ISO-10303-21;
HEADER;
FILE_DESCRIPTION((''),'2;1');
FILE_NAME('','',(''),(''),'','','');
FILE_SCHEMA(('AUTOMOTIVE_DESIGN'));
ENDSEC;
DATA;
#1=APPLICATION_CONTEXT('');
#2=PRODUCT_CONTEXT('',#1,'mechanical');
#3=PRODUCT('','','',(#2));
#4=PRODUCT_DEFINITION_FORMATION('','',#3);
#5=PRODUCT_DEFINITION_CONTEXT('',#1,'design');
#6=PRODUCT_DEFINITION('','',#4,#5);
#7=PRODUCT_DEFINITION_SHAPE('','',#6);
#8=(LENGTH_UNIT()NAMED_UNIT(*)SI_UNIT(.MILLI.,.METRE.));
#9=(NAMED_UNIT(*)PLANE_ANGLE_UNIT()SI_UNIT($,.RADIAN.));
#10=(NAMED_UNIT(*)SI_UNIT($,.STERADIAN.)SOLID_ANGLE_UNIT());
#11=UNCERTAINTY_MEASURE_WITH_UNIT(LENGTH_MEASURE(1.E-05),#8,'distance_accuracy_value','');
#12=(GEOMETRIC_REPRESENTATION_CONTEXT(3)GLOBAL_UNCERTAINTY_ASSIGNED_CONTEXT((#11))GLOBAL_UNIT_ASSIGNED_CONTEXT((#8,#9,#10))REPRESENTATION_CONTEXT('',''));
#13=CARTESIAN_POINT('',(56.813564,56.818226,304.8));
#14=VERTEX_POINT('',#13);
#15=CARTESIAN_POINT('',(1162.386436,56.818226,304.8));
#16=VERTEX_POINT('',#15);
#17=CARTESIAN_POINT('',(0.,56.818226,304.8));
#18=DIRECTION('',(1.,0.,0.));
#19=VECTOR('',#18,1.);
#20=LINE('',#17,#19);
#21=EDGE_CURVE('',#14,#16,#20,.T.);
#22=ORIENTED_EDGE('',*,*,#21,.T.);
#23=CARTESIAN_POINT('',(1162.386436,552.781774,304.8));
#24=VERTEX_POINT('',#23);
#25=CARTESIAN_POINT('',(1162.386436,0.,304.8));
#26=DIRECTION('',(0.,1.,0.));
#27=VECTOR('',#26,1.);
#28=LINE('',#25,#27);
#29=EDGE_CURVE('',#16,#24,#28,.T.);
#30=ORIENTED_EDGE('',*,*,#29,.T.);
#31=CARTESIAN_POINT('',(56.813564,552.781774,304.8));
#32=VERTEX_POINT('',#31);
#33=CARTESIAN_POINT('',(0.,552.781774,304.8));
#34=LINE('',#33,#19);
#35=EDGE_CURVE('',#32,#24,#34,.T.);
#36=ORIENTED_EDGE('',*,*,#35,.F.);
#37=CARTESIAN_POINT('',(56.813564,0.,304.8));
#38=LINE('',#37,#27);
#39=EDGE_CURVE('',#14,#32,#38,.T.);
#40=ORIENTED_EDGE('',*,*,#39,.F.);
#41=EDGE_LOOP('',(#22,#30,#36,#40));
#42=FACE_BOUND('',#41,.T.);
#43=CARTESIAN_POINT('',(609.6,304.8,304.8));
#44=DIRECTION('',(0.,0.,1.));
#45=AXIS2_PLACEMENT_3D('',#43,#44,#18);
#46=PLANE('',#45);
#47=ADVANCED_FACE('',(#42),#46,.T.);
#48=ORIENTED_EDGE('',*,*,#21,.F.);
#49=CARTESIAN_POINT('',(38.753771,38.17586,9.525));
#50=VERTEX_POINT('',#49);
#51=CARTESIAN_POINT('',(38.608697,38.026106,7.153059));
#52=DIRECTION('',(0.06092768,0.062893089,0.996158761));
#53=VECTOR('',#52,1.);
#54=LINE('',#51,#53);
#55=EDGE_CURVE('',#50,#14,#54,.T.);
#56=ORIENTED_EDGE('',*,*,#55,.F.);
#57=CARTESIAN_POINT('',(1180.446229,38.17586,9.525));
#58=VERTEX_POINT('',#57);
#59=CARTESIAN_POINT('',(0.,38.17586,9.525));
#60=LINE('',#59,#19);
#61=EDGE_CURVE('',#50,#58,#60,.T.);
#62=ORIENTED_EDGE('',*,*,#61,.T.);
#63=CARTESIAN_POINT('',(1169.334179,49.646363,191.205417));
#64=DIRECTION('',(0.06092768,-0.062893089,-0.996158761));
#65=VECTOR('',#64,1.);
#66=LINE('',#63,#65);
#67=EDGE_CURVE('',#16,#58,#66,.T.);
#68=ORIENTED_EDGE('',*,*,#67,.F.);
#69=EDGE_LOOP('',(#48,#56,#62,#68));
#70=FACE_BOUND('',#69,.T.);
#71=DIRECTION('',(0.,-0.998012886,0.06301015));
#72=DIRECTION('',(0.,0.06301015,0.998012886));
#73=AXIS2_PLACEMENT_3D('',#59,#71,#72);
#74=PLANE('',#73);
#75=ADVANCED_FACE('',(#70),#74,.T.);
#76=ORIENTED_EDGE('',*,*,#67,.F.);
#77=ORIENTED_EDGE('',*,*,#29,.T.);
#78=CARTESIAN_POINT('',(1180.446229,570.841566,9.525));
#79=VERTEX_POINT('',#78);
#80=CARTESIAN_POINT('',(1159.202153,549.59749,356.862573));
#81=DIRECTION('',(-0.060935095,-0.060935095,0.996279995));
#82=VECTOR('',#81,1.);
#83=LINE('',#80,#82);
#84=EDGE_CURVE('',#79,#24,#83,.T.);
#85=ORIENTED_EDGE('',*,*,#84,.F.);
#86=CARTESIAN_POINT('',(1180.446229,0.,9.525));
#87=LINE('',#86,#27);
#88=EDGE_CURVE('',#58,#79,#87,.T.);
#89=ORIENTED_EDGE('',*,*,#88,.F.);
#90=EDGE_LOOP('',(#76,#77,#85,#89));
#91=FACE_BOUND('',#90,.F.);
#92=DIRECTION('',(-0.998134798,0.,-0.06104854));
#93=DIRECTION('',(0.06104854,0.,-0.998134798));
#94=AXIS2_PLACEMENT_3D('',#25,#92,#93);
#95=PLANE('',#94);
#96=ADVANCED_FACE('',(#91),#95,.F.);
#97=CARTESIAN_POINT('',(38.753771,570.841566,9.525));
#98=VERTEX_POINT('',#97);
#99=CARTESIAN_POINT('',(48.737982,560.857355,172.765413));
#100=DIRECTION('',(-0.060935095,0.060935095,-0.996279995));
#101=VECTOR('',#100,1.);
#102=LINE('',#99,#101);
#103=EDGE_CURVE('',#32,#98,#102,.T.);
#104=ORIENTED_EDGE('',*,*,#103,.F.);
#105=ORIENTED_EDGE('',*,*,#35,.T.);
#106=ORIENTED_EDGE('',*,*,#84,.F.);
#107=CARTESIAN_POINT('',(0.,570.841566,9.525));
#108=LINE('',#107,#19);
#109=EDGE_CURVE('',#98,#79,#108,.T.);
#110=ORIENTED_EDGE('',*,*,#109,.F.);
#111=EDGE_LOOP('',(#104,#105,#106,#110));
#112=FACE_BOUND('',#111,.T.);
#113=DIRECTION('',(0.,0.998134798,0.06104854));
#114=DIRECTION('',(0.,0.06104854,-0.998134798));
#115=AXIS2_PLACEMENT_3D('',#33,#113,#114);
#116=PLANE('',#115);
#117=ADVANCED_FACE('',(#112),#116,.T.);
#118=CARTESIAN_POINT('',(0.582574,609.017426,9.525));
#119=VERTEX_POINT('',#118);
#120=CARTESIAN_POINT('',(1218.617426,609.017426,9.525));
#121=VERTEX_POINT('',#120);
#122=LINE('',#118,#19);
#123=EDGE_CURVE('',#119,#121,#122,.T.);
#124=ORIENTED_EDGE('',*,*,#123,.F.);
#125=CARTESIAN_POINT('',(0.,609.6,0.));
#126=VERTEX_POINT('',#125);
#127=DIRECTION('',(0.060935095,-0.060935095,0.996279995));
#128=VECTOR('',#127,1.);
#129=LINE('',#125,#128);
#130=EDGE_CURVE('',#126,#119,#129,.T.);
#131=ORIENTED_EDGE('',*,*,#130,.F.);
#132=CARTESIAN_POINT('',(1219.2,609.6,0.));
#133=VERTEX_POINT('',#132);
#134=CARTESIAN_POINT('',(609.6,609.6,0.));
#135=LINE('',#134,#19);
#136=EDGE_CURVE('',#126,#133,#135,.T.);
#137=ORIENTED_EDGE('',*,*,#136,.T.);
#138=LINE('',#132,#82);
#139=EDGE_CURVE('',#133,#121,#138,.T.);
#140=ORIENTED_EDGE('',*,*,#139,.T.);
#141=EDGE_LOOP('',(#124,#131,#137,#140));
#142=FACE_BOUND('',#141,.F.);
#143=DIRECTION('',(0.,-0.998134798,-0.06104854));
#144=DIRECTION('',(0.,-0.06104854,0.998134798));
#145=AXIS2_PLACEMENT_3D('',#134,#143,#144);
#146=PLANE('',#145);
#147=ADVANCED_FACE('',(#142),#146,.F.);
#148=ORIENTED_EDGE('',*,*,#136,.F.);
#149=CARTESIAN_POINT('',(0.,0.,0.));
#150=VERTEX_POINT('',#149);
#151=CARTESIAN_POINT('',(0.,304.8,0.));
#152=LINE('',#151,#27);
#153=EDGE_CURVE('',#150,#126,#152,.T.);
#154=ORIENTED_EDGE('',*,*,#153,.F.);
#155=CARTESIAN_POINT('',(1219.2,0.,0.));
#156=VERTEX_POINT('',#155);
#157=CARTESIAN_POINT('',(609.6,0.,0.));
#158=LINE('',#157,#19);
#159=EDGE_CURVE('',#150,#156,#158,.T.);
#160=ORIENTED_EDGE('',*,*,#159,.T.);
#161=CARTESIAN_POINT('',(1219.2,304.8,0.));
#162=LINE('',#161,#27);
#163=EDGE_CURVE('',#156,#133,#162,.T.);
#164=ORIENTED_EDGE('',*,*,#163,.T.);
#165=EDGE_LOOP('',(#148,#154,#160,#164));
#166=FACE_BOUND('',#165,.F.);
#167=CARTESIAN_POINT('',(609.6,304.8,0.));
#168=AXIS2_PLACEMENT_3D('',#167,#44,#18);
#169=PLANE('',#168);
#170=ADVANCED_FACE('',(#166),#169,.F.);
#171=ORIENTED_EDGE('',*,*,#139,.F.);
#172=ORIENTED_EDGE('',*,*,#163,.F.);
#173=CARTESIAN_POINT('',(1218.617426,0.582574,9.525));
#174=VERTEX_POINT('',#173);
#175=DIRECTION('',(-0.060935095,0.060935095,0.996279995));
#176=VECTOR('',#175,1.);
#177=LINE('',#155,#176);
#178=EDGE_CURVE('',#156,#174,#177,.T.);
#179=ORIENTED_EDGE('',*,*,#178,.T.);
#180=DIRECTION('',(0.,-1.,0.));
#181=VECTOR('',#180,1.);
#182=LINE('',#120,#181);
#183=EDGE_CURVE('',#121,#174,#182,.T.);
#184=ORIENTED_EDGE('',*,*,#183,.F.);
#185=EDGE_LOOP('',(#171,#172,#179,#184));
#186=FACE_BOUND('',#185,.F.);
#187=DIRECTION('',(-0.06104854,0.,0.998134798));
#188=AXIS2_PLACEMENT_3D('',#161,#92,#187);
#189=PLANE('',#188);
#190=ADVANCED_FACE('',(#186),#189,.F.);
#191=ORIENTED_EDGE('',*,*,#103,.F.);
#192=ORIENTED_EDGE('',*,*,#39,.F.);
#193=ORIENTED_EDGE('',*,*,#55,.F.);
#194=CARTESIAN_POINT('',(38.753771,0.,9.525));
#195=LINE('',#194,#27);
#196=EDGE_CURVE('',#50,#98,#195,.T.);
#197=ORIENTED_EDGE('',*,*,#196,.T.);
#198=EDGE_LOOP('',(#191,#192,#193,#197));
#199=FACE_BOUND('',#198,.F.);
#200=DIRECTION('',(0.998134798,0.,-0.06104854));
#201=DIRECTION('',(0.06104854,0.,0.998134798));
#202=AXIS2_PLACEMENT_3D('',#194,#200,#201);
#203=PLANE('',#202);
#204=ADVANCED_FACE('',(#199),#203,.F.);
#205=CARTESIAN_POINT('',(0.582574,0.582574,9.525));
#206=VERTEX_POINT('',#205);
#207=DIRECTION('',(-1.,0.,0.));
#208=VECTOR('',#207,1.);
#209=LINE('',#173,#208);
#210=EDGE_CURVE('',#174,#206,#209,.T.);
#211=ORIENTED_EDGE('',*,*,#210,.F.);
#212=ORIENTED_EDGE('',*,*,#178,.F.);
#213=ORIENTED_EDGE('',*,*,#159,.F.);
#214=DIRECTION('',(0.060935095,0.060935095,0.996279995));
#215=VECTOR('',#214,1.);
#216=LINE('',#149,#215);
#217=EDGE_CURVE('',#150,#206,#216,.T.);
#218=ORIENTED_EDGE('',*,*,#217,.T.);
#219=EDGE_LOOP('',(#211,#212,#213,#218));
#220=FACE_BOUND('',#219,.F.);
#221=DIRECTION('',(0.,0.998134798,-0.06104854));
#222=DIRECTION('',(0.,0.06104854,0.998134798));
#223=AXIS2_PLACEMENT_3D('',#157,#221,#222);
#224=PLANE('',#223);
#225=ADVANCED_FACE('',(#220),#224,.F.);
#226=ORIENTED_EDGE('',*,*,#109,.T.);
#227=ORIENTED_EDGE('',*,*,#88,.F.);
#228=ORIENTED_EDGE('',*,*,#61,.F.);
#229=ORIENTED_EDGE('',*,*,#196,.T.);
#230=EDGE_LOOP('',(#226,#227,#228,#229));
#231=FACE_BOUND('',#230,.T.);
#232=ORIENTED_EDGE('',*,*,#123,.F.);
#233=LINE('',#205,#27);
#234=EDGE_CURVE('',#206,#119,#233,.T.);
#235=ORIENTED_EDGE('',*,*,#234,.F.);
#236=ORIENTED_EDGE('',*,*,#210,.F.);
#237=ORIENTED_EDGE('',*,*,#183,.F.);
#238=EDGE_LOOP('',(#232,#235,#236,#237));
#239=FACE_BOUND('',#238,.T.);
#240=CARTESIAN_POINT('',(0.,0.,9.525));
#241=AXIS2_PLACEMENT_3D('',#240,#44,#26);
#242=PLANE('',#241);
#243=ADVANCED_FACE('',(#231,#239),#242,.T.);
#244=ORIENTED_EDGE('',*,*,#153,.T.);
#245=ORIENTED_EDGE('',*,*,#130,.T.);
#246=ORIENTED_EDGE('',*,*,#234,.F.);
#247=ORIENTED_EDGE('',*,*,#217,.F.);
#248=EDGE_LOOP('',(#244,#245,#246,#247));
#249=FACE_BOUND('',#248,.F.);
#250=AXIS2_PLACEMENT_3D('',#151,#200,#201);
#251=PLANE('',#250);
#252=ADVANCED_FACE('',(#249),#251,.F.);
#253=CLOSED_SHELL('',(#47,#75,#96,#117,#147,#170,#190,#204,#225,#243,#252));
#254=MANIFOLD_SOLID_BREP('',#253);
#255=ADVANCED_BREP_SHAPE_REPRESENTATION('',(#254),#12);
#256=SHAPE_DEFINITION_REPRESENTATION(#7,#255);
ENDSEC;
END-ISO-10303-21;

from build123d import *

# Parameters (mm, degrees)
F0_W     = 1219.2
F0_H     = 609.6
F1_DEPTH = 304.8
F1_TAPER = 3.5
F3_DEPTH = 1219.201
F5_DEPTH = 609.601


with BuildPart() as f1:
    # F0 (on Top) → F1 (new body)
    with BuildSketch(Plane.XY):
        with Locations((609.6, 304.8)):
            Rectangle(F0_W, F0_H)
    extrude(amount=F1_DEPTH, taper=F1_TAPER)

    # F2 (on Right) → F3 (cut, through all)
    with BuildSketch(Plane.YZ):
        Polygon((18.6423666219, 304.8), (0, 9.525), (38.1758597789, 9.525), (56.8182264007, 304.8), align=None)
        Polygon((570.8415662642, 9.525), (609.0174260431, 9.525), (590.9576333781, 304.8), (552.7817735993, 304.8), align=None)
    extrude(amount=F3_DEPTH, mode=Mode.SUBTRACT)

    # F4 (on Front) → F5 (cut, through all)
    with BuildSketch(Plane.XZ):
        Polygon((18.6423666219, 304.8), (0.5825739569, 9.525), (38.7537709338, 9.525), (56.8135635987, 304.8), align=None)
        Polygon((1218.6174260431, 9.525), (1200.5576333781, 304.8), (1162.3864364013, 304.8), (1180.4462290662, 9.525), align=None)
    extrude(amount=-F5_DEPTH, mode=Mode.SUBTRACT)


solid = f1.part
